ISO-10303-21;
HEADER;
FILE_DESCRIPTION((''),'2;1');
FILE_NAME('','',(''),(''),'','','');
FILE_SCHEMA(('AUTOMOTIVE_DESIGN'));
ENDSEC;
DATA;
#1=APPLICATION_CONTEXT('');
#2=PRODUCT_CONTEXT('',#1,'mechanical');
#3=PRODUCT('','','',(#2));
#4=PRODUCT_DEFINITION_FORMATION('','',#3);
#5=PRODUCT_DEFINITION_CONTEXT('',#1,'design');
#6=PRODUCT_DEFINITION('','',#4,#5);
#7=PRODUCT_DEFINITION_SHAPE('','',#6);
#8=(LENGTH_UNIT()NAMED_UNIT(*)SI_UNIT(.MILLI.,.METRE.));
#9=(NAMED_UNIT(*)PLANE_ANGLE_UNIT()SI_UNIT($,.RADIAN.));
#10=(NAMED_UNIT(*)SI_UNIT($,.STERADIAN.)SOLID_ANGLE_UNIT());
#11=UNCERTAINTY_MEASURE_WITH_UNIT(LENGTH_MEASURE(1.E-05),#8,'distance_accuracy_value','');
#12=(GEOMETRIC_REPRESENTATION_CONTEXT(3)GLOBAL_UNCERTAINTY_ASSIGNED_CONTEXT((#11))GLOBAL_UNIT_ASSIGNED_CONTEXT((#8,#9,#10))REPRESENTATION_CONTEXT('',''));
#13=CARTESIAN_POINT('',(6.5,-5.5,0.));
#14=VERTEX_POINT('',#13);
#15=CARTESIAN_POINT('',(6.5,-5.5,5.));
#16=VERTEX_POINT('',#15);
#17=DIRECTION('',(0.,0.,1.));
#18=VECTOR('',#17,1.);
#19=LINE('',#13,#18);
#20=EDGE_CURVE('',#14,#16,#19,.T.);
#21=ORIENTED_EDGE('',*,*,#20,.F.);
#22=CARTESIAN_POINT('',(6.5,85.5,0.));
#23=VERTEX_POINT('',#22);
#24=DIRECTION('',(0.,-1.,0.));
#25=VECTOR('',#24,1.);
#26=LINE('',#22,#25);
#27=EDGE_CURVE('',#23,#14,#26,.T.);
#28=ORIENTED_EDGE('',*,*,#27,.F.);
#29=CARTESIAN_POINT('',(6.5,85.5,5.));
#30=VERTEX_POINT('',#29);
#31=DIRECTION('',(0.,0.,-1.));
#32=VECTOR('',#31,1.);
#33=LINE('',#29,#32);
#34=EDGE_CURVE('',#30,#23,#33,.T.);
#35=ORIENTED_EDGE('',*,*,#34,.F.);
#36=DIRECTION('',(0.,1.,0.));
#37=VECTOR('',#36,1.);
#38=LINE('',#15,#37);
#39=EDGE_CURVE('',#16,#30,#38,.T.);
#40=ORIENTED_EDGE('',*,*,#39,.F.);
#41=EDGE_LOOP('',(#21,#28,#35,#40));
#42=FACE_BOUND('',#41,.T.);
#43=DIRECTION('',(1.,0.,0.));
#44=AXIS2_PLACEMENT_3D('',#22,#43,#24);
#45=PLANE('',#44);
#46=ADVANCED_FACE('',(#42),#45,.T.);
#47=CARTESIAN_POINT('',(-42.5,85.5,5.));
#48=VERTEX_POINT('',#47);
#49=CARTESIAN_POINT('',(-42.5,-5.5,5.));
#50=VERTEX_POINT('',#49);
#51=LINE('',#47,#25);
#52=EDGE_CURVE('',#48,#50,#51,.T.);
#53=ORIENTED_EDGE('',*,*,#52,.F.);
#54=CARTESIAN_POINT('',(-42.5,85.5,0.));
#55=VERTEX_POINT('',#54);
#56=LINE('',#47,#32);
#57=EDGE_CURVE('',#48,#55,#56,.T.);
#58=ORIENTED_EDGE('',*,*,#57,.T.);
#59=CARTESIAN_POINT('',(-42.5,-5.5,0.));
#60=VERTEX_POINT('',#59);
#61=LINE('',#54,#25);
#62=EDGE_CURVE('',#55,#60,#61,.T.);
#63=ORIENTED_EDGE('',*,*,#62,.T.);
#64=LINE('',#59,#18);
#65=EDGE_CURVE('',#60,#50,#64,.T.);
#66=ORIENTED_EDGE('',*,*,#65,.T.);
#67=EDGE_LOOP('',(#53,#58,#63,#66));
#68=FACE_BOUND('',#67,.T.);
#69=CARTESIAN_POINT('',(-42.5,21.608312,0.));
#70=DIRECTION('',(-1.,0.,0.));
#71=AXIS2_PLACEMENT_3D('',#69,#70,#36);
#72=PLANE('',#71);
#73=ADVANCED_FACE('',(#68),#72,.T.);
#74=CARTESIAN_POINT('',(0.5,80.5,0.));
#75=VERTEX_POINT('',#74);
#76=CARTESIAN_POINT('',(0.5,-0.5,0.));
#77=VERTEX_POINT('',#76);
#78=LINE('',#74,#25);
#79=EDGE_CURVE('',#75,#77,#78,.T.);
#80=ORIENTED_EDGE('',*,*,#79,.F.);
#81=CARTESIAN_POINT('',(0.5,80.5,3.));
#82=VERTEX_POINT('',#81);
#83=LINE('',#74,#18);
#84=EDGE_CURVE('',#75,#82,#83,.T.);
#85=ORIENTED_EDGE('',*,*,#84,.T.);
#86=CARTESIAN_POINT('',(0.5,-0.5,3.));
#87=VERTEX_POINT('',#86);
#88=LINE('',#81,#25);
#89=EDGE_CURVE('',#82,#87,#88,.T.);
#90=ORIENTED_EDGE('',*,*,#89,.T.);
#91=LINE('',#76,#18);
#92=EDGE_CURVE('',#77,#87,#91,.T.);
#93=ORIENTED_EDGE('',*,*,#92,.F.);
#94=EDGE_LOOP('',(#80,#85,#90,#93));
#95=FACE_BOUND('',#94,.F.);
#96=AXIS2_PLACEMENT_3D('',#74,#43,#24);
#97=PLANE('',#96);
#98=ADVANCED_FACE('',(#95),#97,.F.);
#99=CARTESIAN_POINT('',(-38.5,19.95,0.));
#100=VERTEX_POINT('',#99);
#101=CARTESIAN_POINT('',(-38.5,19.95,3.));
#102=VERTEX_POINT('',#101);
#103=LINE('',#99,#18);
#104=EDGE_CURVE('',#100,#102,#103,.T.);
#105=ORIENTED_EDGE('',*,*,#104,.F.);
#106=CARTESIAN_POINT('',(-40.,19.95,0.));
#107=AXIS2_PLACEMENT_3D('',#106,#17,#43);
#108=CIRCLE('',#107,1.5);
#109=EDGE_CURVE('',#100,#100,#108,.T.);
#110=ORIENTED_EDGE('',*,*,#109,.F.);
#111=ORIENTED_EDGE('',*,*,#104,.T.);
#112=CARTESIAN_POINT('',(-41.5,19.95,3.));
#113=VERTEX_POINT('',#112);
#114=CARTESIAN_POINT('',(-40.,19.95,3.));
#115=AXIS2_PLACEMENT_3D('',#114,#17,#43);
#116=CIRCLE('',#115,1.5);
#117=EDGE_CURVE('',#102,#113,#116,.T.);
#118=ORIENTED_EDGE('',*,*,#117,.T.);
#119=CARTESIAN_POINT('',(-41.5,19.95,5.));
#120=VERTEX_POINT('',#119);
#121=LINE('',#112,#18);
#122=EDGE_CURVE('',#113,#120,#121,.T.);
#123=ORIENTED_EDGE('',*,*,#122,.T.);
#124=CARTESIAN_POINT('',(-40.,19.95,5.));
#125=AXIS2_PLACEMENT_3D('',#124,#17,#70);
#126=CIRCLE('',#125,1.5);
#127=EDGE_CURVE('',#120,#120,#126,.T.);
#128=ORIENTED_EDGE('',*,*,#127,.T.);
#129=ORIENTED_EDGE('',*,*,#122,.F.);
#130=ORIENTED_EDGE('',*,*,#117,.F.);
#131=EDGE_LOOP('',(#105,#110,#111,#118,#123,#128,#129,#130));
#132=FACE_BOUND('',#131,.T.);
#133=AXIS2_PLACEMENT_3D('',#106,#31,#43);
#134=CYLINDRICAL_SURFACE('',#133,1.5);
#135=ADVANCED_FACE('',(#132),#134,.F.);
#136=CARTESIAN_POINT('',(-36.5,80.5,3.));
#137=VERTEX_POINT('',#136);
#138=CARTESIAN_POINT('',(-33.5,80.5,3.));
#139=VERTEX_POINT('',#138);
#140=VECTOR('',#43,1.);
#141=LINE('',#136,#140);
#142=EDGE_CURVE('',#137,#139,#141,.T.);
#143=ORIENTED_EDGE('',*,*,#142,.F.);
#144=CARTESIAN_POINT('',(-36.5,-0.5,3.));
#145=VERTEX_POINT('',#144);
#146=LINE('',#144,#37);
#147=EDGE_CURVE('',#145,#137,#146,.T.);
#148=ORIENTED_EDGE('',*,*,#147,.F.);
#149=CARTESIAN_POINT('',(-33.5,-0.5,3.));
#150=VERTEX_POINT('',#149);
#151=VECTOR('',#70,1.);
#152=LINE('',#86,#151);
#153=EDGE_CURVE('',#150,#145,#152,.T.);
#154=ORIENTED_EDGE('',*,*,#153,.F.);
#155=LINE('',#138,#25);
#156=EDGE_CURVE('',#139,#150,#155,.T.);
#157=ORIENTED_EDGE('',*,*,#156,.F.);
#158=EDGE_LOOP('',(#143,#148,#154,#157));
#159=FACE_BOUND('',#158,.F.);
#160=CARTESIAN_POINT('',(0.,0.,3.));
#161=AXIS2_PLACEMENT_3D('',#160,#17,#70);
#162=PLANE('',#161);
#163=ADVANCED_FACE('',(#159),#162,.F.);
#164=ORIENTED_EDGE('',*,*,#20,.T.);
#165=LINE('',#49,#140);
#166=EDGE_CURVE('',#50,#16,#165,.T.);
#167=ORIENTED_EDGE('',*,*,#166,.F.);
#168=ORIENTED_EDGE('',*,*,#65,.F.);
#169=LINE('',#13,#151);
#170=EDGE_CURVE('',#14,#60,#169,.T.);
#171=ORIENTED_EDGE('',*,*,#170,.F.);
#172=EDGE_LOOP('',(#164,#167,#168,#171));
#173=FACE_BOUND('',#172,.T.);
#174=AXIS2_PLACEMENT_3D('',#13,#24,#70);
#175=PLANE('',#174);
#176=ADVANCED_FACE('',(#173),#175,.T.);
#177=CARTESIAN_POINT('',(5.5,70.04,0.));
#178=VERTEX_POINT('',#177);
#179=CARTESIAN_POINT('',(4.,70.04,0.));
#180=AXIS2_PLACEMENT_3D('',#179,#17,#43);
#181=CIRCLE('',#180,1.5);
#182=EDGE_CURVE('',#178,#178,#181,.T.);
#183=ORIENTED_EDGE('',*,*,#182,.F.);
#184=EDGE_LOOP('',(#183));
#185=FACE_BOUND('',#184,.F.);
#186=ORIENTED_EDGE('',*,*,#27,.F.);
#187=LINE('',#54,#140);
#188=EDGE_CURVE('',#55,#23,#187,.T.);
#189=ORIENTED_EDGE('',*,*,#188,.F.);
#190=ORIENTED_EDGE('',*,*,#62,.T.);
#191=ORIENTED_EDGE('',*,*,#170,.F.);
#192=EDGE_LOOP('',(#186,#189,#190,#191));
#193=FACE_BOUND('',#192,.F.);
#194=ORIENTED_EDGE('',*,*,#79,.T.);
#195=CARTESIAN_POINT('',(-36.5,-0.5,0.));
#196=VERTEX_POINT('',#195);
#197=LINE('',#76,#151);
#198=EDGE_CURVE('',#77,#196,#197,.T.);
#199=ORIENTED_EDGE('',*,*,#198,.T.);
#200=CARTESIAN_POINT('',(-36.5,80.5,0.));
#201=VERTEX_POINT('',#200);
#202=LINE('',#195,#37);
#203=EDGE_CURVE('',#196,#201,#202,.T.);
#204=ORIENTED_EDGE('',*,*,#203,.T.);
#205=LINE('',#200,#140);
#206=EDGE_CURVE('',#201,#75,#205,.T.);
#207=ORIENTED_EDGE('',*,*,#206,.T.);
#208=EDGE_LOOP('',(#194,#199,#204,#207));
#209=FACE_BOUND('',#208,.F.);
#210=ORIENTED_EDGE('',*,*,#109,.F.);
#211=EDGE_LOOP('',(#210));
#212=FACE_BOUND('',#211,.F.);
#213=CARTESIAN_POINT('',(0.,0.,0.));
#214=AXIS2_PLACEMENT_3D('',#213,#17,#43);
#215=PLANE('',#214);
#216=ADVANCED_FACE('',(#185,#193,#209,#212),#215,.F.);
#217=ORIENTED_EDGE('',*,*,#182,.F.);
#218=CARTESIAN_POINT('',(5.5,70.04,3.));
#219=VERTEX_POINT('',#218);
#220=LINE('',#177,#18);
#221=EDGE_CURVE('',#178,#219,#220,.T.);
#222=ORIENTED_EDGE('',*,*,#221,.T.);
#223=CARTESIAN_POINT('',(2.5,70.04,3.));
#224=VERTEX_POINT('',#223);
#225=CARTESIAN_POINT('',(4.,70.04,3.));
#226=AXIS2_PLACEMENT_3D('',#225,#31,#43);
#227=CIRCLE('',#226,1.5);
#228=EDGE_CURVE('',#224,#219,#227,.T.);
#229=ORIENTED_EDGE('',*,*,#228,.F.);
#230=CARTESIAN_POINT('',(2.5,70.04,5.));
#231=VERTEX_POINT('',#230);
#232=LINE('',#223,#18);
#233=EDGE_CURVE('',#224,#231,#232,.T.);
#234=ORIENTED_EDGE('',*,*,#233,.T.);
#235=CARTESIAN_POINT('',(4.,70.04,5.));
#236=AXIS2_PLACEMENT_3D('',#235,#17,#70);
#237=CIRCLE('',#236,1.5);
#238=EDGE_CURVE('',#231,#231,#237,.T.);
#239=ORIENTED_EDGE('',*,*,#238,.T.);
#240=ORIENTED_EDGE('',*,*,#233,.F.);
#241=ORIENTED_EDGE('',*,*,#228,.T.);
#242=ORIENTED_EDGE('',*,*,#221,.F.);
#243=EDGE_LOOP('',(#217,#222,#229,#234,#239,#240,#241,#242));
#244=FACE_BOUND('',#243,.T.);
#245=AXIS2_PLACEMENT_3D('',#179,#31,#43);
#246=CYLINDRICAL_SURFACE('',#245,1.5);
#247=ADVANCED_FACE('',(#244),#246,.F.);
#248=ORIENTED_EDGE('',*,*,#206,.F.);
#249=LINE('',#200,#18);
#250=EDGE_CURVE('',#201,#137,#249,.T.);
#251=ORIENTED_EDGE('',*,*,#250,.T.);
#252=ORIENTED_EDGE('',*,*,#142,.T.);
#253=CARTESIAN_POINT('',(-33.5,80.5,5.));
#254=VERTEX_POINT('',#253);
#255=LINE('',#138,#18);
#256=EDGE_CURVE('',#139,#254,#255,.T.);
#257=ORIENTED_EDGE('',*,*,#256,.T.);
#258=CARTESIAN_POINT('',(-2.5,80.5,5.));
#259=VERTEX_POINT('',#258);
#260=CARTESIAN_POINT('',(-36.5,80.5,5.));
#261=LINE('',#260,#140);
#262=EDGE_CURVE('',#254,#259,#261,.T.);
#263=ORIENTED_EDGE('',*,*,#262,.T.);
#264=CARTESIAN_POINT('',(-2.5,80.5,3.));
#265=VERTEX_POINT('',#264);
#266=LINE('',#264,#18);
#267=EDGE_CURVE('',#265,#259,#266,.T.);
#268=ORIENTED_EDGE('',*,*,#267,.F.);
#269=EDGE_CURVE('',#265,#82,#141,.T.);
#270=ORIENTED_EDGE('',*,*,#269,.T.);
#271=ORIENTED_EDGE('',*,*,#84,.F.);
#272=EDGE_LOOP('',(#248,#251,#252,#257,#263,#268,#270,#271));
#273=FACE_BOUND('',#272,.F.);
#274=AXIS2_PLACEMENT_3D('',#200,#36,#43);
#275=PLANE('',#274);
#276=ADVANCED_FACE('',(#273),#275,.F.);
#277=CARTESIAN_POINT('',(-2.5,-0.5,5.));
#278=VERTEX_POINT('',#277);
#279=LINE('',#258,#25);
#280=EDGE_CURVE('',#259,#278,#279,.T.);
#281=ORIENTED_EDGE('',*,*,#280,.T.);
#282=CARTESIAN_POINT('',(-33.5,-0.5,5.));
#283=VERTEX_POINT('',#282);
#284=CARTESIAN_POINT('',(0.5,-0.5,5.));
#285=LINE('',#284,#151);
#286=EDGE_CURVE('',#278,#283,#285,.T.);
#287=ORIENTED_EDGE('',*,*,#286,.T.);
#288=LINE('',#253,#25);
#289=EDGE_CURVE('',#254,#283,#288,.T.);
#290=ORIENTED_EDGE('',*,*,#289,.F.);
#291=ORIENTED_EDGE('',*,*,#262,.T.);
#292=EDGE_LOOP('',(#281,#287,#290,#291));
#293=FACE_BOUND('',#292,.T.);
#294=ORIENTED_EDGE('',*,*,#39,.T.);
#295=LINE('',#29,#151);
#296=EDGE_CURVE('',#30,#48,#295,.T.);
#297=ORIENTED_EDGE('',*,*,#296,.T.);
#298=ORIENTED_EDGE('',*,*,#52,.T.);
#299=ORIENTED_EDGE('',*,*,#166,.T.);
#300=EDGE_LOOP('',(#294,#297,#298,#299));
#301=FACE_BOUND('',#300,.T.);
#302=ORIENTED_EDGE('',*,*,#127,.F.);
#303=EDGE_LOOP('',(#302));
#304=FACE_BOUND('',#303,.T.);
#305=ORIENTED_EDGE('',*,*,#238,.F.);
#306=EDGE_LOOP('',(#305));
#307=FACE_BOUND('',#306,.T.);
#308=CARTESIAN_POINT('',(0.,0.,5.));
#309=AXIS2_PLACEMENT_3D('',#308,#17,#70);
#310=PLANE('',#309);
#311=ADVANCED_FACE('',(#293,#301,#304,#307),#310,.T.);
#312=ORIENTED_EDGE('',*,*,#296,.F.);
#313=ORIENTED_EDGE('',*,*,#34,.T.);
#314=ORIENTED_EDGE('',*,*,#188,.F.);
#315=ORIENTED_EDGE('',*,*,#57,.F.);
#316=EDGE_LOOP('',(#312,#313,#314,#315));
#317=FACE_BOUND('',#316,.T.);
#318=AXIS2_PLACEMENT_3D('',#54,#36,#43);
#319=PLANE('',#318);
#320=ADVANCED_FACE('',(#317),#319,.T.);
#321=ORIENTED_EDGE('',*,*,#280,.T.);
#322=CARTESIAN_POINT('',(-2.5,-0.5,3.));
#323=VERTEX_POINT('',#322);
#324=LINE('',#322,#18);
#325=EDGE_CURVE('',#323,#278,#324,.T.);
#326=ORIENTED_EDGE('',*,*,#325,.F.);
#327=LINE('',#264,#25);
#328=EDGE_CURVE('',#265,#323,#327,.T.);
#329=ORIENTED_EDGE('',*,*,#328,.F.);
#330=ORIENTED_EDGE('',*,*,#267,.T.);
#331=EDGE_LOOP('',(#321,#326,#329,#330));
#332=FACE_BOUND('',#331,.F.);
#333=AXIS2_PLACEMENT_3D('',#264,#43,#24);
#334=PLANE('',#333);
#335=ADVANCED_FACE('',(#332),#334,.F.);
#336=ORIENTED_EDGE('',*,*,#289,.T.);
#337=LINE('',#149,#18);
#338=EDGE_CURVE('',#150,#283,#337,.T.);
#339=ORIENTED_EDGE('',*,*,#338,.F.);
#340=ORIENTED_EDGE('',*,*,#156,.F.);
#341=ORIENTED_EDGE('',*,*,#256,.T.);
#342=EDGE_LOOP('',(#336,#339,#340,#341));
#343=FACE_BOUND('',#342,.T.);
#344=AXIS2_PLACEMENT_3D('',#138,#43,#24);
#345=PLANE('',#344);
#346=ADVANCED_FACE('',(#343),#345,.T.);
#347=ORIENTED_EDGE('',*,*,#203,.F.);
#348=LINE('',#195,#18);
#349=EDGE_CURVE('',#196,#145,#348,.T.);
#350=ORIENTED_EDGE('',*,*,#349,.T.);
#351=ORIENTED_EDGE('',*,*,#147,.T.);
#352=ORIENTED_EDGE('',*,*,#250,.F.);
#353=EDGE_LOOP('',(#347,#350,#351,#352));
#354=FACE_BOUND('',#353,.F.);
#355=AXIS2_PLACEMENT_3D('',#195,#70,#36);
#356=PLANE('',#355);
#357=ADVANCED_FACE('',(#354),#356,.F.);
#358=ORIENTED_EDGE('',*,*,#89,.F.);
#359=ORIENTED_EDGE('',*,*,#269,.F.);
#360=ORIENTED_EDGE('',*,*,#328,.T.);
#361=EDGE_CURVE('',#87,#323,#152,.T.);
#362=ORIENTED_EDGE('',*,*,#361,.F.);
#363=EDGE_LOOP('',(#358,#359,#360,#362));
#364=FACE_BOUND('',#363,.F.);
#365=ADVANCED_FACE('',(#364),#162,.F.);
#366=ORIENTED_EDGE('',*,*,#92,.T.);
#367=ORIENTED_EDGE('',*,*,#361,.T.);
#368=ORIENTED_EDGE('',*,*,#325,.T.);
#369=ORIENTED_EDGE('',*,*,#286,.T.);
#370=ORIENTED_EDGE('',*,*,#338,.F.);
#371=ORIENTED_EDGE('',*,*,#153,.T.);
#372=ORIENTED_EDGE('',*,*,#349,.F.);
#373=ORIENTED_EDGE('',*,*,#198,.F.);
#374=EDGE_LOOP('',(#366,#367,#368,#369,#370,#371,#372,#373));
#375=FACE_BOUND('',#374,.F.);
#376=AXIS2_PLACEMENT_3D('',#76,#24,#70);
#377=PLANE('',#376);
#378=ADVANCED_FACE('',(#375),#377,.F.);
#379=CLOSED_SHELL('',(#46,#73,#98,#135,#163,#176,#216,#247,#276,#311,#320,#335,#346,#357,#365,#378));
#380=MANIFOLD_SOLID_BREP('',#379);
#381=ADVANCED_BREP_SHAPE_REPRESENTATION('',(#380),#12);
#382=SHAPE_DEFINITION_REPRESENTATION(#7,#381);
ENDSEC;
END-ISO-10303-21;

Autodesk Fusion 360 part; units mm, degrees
sketch "Esquisse1" plane through (0, 0, 0) normal (0, 0, 1) x (1, 0, 0)
  line L0 (0, 0) -> (-36, 0)
  line L1 (-36, 0) -> (-36, 80)
  line L2 (-36, 80) -> (0, 80)
  line L3 (0, 80) -> (0, 0)
  line L4 (-36.5, 80.5) -> (0.5, 80.5)
  line L5 (0.5, 80.5) -> (0.5, -0.5)
  line L6 (0.5, -0.5) -> (-36.5, -0.5)
  line L7 (-36.5, -0.5) -> (-36.5, 80.5)
  line L8 (-38.5, 82.5) -> (2.5, 82.5)
  line L9 (2.5, 82.5) -> (2.5, -2.5)
  line L10 (2.5, -2.5) -> (-38.5, -2.5)
  line L11 (-38.5, -2.5) -> (-38.5, 82.5)
  circle A0 centre (4, 70.04) radius 1.5
  circle A1 centre (4, 70.04) radius 3
  circle A2 centre (-40, 19.95) radius 1.5
  circle A3 centre (-40, 19.95) radius 3
  line L12 (-42.5, 85.5) -> (6.5, 85.5)
  line L13 (6.5, 85.5) -> (6.5, -5.5)
  line L14 (6.5, -5.5) -> (-42.5, -5.5)
  line L15 (-42.5, -5.5) -> (-42.5, 85.5)
  dimension "d1" = 36
  dimension "d2" = 80
  dimension "d3" = 0.5
  dimension "d4" = 0.5
  dimension "d5" = 0.5
  dimension "d6" = 0.5
  dimension "d7" = 2
  dimension "d8" = 2
  dimension "d9" = 2
  dimension "d10" = 2
  dimension "d11" = 3
  dimension "d12" = 9.96
  dimension "d13" = 4
  dimension "d14" = 6
  dimension "d15" = 3
  dimension "d16" = 4
  dimension "d17" = 6
  dimension "d18" = 19.95
  dimension "d19" = 3
  dimension "d20" = 4
  dimension "d21" = 4
  dimension "d22" = 3
extrude "Extrusion1" add sketch "Esquisse1" along normal blind 3 contours L8 L9 L11 A1 A3 L12 L13 L15 | L8 L9 L10 L11 A1 A3 | L11 A3 | L11 A3 L15 | L9 A1 L13 | L9 A1 | L9 L10 L11 A1 A3 L13 L14 L15
sketch "Esquisse2" plane through (0, 0, 3) normal (0, 0, 1) x (-1, 0, 0)
  circle A0 centre (40, -19.95) radius 1.5
  circle A1 centre (-4, -70.04) radius 1.5
  line L0 (-0.5, 0.5) -> (36.5, 0.5)
  line L1 (36.5, 0.5) -> (36.5, -80.5)
  line L2 (36.5, -80.5) -> (-0.5, -80.5)
  line L3 (-0.5, -80.5) -> (-0.5, 0.5)
  line L4 (42.5, 5.5) -> (-6.5, 5.5)
  line L5 (-6.5, 5.5) -> (-6.5, -85.5)
  line L6 (-6.5, -85.5) -> (42.5, -85.5)
  line L7 (42.5, -85.5) -> (42.5, 5.5)
  line L8 (36.5, -80.5) -> (33.5, -80.5)
  line L9 (33.5, -80.5) -> (33.5, 0.5)
  line L10 (33.5, 0.5) -> (36.5, 0.5)
  line L11 (36.5, 0.5) -> (36.5, -80.5)
  line L12 (-0.5, -80.5) -> (2.5, -80.5)
  line L13 (2.5, -80.5) -> (2.5, 0.5)
  line L14 (2.5, 0.5) -> (-0.5, 0.5)
  line L15 (-0.5, 0.5) -> (-0.5, -80.5)
  dimension "d25" = 3
  dimension "d26" = 3
extrude "Extrusion2" add sketch "Esquisse2" along normal blind 2 contours L0 L2 L3 L12 L13 L14 L15 | L0 L1 L2 L8 L9 L10 L11 | L4 L5 L6 L7
